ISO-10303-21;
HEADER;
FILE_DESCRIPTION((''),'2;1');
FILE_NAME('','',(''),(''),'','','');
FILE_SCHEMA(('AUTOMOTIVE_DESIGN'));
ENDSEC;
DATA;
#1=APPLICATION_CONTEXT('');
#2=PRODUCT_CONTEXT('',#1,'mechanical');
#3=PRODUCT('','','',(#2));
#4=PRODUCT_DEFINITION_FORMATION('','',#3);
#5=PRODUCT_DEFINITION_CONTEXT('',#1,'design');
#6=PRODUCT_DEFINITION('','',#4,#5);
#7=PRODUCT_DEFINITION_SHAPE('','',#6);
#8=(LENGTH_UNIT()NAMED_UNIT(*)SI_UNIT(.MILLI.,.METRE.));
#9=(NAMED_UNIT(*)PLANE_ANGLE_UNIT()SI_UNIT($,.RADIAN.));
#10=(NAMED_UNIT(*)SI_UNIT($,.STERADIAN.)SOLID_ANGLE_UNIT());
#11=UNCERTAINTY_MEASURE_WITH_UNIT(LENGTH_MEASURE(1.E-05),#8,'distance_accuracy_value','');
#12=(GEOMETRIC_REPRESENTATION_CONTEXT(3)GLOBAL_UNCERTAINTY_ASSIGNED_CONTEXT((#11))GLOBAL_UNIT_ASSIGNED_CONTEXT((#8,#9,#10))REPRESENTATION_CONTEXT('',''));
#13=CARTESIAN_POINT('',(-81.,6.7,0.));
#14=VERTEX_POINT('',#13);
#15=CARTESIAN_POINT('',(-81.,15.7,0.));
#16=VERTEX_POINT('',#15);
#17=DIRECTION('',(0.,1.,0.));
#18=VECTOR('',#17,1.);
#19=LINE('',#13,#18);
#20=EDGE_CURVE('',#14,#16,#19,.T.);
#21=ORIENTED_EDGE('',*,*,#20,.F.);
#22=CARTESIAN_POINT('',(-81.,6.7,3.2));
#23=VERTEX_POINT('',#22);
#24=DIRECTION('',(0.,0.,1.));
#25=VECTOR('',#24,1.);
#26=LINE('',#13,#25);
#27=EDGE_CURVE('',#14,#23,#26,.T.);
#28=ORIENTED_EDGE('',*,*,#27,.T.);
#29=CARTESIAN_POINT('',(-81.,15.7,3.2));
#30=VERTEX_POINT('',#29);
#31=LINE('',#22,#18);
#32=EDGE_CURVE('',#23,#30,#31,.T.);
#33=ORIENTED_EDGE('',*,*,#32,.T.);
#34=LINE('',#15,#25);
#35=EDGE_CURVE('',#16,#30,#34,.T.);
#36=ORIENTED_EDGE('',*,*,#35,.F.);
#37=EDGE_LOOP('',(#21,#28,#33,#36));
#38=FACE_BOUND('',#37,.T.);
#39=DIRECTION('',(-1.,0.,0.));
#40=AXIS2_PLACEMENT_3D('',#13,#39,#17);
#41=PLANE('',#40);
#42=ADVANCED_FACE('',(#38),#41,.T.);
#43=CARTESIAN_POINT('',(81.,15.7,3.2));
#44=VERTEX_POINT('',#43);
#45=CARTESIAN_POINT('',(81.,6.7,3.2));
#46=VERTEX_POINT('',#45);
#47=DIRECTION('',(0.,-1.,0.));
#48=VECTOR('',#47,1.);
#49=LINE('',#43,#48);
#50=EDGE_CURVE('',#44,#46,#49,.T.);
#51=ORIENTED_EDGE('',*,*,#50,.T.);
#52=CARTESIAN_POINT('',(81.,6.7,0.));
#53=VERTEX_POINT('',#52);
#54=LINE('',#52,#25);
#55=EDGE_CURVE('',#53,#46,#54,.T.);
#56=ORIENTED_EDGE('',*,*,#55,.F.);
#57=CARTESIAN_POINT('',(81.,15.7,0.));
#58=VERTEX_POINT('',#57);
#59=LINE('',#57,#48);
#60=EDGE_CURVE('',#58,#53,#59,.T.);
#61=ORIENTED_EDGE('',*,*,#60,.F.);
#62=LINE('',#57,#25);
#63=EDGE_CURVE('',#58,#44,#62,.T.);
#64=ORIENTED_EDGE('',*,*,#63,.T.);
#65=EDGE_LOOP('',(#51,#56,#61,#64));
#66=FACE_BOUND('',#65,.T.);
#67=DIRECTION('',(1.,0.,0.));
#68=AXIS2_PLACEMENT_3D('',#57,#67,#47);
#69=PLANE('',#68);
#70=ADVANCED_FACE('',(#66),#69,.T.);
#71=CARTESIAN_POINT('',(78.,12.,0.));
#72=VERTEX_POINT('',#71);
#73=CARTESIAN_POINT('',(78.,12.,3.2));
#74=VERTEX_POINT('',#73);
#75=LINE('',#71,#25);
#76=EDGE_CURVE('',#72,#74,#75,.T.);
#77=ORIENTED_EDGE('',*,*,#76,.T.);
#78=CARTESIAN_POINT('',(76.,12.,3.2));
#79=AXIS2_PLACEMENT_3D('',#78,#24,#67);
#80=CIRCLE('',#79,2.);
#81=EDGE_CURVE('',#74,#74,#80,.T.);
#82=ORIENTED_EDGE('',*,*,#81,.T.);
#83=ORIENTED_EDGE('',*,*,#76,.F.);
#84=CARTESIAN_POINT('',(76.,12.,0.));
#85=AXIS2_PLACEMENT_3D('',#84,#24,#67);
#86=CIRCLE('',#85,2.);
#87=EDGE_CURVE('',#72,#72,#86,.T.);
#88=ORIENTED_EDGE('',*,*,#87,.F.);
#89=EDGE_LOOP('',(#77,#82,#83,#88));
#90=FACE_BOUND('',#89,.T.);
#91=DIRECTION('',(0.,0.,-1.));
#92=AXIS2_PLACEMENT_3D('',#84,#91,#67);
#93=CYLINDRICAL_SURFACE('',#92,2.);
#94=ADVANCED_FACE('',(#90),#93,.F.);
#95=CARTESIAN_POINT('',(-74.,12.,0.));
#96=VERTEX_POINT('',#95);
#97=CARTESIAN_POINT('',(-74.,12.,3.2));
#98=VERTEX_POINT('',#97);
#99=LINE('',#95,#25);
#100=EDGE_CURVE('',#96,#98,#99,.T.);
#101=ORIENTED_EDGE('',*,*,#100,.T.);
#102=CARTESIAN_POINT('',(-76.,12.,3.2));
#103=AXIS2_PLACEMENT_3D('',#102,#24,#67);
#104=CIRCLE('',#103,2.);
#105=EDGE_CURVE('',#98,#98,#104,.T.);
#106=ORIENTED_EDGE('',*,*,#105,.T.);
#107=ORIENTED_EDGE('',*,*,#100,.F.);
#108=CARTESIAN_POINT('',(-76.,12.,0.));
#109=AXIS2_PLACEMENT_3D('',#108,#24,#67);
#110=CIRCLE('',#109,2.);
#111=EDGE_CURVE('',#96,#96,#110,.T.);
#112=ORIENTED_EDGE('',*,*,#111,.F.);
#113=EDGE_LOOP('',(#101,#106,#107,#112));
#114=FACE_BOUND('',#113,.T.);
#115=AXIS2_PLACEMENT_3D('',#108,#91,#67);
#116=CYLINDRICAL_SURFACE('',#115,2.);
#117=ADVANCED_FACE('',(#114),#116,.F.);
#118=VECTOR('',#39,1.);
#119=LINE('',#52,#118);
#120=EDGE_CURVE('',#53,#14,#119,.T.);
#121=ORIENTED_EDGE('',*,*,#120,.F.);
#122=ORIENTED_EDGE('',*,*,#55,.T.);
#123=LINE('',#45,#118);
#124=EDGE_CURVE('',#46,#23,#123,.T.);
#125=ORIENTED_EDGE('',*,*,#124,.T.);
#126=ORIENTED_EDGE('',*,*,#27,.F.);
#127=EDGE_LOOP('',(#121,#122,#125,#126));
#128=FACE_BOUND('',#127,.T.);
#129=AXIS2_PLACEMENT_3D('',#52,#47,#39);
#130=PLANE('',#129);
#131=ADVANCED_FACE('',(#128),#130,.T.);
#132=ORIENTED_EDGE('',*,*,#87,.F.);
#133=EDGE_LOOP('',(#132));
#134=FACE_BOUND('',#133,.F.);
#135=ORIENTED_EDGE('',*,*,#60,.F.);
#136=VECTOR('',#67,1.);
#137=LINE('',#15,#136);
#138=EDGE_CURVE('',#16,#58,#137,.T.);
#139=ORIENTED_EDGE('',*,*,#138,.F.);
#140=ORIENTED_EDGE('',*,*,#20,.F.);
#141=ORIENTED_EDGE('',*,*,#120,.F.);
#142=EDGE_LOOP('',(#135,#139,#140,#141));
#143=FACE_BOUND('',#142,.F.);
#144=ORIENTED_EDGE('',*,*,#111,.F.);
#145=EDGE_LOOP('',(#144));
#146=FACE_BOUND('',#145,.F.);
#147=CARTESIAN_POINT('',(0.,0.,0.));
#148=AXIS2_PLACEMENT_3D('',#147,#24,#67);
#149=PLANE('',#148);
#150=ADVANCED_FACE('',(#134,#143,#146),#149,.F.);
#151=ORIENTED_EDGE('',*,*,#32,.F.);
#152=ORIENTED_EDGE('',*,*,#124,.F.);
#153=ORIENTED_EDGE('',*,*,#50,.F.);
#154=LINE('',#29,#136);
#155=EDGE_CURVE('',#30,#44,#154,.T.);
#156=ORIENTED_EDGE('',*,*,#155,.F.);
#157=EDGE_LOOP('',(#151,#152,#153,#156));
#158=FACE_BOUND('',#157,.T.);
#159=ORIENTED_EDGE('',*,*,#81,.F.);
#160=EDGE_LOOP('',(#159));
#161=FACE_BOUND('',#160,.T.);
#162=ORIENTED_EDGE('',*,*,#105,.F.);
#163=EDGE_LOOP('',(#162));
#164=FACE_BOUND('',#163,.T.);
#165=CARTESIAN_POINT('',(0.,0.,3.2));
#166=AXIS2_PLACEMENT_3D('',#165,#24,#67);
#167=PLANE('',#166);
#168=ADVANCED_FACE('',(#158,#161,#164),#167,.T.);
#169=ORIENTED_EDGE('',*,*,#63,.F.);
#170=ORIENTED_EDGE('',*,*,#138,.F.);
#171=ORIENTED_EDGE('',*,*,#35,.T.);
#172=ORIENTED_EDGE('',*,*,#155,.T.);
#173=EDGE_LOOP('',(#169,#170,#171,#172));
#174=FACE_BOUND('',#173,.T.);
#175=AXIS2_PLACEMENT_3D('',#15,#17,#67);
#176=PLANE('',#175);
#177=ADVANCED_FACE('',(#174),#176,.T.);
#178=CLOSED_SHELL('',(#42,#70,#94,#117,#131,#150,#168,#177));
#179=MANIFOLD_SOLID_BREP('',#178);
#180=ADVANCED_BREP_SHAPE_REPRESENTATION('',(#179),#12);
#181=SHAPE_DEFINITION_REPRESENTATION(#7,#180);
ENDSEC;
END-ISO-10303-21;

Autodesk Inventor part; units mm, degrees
ref_plane "YZ Plane" through (0, 0, 0) normal (1, 0, 0) x (0, 1, 0)
ref_plane "XZ Plane" through (0, 0, 0) normal (0, 1, 0) x (-1, 0, 0)
ref_plane "XY Plane" through (0, 0, 0) normal (0, 0, 1) x (1, 0, 0)
sketch "Sketch1" plane through (0, 0, 0) normal (0, 0, 1) x (1, 0, 0)
  circle A0 centre (-76, 12) radius 2 projected
  circle A1 centre (76, 12) radius 2 projected
  line L0 (-81, 15.7) -> (81, 15.7)
  line L1 (81, 15.7) -> (81, 6.7)
  line L2 (81, 6.7) -> (-81, 6.7)
  line L3 (-81, 6.7) -> (-81, 15.7)
  line L4 (-85, 23) -> (-85, -20) projected
  line L5 (85, -20) -> (85, 23) projected
  line L6 (-44.0994, 17.1019) -> (-47.4458, 17.1019) projected
  line L7 (-42.4262, 20) -> (-44.0994, 17.1019) projected
  line L8 (-44.0994, 22.8981) -> (-42.4262, 20) projected
  line L9 (-47.4458, 22.8981) -> (-44.0994, 22.8981) projected
  line L10 (-49.119, 20) -> (-47.4458, 22.8981) projected
  line L11 (-47.4458, 17.1019) -> (-49.119, 20) projected
  line L12 (-52.9726, 23) -> (-85, 23) projected
  line L13 (-48.6707, 21.6732) -> (-42.8745, 18.3268)
  line L14 (-45.7726, 23.3464) -> (-45.7726, 16.6536)
  line L15 (-42.8745, 21.6732) -> (-48.6707, 18.3268)
  line L16 (-45.7726, 20) -> (-45.7726, 21.9321)
  point P0 (0, 0)
  dimension "d0" = 162
  dimension "d1" = 9
  dimension "d2" = 4
  dimension "d3" = 3.7
extrude "Extrusion1" add sketch "Sketch1" along normal blind 3.2 contours L0 L1 L2 L3
properties part number "Carcasa_Tope"
